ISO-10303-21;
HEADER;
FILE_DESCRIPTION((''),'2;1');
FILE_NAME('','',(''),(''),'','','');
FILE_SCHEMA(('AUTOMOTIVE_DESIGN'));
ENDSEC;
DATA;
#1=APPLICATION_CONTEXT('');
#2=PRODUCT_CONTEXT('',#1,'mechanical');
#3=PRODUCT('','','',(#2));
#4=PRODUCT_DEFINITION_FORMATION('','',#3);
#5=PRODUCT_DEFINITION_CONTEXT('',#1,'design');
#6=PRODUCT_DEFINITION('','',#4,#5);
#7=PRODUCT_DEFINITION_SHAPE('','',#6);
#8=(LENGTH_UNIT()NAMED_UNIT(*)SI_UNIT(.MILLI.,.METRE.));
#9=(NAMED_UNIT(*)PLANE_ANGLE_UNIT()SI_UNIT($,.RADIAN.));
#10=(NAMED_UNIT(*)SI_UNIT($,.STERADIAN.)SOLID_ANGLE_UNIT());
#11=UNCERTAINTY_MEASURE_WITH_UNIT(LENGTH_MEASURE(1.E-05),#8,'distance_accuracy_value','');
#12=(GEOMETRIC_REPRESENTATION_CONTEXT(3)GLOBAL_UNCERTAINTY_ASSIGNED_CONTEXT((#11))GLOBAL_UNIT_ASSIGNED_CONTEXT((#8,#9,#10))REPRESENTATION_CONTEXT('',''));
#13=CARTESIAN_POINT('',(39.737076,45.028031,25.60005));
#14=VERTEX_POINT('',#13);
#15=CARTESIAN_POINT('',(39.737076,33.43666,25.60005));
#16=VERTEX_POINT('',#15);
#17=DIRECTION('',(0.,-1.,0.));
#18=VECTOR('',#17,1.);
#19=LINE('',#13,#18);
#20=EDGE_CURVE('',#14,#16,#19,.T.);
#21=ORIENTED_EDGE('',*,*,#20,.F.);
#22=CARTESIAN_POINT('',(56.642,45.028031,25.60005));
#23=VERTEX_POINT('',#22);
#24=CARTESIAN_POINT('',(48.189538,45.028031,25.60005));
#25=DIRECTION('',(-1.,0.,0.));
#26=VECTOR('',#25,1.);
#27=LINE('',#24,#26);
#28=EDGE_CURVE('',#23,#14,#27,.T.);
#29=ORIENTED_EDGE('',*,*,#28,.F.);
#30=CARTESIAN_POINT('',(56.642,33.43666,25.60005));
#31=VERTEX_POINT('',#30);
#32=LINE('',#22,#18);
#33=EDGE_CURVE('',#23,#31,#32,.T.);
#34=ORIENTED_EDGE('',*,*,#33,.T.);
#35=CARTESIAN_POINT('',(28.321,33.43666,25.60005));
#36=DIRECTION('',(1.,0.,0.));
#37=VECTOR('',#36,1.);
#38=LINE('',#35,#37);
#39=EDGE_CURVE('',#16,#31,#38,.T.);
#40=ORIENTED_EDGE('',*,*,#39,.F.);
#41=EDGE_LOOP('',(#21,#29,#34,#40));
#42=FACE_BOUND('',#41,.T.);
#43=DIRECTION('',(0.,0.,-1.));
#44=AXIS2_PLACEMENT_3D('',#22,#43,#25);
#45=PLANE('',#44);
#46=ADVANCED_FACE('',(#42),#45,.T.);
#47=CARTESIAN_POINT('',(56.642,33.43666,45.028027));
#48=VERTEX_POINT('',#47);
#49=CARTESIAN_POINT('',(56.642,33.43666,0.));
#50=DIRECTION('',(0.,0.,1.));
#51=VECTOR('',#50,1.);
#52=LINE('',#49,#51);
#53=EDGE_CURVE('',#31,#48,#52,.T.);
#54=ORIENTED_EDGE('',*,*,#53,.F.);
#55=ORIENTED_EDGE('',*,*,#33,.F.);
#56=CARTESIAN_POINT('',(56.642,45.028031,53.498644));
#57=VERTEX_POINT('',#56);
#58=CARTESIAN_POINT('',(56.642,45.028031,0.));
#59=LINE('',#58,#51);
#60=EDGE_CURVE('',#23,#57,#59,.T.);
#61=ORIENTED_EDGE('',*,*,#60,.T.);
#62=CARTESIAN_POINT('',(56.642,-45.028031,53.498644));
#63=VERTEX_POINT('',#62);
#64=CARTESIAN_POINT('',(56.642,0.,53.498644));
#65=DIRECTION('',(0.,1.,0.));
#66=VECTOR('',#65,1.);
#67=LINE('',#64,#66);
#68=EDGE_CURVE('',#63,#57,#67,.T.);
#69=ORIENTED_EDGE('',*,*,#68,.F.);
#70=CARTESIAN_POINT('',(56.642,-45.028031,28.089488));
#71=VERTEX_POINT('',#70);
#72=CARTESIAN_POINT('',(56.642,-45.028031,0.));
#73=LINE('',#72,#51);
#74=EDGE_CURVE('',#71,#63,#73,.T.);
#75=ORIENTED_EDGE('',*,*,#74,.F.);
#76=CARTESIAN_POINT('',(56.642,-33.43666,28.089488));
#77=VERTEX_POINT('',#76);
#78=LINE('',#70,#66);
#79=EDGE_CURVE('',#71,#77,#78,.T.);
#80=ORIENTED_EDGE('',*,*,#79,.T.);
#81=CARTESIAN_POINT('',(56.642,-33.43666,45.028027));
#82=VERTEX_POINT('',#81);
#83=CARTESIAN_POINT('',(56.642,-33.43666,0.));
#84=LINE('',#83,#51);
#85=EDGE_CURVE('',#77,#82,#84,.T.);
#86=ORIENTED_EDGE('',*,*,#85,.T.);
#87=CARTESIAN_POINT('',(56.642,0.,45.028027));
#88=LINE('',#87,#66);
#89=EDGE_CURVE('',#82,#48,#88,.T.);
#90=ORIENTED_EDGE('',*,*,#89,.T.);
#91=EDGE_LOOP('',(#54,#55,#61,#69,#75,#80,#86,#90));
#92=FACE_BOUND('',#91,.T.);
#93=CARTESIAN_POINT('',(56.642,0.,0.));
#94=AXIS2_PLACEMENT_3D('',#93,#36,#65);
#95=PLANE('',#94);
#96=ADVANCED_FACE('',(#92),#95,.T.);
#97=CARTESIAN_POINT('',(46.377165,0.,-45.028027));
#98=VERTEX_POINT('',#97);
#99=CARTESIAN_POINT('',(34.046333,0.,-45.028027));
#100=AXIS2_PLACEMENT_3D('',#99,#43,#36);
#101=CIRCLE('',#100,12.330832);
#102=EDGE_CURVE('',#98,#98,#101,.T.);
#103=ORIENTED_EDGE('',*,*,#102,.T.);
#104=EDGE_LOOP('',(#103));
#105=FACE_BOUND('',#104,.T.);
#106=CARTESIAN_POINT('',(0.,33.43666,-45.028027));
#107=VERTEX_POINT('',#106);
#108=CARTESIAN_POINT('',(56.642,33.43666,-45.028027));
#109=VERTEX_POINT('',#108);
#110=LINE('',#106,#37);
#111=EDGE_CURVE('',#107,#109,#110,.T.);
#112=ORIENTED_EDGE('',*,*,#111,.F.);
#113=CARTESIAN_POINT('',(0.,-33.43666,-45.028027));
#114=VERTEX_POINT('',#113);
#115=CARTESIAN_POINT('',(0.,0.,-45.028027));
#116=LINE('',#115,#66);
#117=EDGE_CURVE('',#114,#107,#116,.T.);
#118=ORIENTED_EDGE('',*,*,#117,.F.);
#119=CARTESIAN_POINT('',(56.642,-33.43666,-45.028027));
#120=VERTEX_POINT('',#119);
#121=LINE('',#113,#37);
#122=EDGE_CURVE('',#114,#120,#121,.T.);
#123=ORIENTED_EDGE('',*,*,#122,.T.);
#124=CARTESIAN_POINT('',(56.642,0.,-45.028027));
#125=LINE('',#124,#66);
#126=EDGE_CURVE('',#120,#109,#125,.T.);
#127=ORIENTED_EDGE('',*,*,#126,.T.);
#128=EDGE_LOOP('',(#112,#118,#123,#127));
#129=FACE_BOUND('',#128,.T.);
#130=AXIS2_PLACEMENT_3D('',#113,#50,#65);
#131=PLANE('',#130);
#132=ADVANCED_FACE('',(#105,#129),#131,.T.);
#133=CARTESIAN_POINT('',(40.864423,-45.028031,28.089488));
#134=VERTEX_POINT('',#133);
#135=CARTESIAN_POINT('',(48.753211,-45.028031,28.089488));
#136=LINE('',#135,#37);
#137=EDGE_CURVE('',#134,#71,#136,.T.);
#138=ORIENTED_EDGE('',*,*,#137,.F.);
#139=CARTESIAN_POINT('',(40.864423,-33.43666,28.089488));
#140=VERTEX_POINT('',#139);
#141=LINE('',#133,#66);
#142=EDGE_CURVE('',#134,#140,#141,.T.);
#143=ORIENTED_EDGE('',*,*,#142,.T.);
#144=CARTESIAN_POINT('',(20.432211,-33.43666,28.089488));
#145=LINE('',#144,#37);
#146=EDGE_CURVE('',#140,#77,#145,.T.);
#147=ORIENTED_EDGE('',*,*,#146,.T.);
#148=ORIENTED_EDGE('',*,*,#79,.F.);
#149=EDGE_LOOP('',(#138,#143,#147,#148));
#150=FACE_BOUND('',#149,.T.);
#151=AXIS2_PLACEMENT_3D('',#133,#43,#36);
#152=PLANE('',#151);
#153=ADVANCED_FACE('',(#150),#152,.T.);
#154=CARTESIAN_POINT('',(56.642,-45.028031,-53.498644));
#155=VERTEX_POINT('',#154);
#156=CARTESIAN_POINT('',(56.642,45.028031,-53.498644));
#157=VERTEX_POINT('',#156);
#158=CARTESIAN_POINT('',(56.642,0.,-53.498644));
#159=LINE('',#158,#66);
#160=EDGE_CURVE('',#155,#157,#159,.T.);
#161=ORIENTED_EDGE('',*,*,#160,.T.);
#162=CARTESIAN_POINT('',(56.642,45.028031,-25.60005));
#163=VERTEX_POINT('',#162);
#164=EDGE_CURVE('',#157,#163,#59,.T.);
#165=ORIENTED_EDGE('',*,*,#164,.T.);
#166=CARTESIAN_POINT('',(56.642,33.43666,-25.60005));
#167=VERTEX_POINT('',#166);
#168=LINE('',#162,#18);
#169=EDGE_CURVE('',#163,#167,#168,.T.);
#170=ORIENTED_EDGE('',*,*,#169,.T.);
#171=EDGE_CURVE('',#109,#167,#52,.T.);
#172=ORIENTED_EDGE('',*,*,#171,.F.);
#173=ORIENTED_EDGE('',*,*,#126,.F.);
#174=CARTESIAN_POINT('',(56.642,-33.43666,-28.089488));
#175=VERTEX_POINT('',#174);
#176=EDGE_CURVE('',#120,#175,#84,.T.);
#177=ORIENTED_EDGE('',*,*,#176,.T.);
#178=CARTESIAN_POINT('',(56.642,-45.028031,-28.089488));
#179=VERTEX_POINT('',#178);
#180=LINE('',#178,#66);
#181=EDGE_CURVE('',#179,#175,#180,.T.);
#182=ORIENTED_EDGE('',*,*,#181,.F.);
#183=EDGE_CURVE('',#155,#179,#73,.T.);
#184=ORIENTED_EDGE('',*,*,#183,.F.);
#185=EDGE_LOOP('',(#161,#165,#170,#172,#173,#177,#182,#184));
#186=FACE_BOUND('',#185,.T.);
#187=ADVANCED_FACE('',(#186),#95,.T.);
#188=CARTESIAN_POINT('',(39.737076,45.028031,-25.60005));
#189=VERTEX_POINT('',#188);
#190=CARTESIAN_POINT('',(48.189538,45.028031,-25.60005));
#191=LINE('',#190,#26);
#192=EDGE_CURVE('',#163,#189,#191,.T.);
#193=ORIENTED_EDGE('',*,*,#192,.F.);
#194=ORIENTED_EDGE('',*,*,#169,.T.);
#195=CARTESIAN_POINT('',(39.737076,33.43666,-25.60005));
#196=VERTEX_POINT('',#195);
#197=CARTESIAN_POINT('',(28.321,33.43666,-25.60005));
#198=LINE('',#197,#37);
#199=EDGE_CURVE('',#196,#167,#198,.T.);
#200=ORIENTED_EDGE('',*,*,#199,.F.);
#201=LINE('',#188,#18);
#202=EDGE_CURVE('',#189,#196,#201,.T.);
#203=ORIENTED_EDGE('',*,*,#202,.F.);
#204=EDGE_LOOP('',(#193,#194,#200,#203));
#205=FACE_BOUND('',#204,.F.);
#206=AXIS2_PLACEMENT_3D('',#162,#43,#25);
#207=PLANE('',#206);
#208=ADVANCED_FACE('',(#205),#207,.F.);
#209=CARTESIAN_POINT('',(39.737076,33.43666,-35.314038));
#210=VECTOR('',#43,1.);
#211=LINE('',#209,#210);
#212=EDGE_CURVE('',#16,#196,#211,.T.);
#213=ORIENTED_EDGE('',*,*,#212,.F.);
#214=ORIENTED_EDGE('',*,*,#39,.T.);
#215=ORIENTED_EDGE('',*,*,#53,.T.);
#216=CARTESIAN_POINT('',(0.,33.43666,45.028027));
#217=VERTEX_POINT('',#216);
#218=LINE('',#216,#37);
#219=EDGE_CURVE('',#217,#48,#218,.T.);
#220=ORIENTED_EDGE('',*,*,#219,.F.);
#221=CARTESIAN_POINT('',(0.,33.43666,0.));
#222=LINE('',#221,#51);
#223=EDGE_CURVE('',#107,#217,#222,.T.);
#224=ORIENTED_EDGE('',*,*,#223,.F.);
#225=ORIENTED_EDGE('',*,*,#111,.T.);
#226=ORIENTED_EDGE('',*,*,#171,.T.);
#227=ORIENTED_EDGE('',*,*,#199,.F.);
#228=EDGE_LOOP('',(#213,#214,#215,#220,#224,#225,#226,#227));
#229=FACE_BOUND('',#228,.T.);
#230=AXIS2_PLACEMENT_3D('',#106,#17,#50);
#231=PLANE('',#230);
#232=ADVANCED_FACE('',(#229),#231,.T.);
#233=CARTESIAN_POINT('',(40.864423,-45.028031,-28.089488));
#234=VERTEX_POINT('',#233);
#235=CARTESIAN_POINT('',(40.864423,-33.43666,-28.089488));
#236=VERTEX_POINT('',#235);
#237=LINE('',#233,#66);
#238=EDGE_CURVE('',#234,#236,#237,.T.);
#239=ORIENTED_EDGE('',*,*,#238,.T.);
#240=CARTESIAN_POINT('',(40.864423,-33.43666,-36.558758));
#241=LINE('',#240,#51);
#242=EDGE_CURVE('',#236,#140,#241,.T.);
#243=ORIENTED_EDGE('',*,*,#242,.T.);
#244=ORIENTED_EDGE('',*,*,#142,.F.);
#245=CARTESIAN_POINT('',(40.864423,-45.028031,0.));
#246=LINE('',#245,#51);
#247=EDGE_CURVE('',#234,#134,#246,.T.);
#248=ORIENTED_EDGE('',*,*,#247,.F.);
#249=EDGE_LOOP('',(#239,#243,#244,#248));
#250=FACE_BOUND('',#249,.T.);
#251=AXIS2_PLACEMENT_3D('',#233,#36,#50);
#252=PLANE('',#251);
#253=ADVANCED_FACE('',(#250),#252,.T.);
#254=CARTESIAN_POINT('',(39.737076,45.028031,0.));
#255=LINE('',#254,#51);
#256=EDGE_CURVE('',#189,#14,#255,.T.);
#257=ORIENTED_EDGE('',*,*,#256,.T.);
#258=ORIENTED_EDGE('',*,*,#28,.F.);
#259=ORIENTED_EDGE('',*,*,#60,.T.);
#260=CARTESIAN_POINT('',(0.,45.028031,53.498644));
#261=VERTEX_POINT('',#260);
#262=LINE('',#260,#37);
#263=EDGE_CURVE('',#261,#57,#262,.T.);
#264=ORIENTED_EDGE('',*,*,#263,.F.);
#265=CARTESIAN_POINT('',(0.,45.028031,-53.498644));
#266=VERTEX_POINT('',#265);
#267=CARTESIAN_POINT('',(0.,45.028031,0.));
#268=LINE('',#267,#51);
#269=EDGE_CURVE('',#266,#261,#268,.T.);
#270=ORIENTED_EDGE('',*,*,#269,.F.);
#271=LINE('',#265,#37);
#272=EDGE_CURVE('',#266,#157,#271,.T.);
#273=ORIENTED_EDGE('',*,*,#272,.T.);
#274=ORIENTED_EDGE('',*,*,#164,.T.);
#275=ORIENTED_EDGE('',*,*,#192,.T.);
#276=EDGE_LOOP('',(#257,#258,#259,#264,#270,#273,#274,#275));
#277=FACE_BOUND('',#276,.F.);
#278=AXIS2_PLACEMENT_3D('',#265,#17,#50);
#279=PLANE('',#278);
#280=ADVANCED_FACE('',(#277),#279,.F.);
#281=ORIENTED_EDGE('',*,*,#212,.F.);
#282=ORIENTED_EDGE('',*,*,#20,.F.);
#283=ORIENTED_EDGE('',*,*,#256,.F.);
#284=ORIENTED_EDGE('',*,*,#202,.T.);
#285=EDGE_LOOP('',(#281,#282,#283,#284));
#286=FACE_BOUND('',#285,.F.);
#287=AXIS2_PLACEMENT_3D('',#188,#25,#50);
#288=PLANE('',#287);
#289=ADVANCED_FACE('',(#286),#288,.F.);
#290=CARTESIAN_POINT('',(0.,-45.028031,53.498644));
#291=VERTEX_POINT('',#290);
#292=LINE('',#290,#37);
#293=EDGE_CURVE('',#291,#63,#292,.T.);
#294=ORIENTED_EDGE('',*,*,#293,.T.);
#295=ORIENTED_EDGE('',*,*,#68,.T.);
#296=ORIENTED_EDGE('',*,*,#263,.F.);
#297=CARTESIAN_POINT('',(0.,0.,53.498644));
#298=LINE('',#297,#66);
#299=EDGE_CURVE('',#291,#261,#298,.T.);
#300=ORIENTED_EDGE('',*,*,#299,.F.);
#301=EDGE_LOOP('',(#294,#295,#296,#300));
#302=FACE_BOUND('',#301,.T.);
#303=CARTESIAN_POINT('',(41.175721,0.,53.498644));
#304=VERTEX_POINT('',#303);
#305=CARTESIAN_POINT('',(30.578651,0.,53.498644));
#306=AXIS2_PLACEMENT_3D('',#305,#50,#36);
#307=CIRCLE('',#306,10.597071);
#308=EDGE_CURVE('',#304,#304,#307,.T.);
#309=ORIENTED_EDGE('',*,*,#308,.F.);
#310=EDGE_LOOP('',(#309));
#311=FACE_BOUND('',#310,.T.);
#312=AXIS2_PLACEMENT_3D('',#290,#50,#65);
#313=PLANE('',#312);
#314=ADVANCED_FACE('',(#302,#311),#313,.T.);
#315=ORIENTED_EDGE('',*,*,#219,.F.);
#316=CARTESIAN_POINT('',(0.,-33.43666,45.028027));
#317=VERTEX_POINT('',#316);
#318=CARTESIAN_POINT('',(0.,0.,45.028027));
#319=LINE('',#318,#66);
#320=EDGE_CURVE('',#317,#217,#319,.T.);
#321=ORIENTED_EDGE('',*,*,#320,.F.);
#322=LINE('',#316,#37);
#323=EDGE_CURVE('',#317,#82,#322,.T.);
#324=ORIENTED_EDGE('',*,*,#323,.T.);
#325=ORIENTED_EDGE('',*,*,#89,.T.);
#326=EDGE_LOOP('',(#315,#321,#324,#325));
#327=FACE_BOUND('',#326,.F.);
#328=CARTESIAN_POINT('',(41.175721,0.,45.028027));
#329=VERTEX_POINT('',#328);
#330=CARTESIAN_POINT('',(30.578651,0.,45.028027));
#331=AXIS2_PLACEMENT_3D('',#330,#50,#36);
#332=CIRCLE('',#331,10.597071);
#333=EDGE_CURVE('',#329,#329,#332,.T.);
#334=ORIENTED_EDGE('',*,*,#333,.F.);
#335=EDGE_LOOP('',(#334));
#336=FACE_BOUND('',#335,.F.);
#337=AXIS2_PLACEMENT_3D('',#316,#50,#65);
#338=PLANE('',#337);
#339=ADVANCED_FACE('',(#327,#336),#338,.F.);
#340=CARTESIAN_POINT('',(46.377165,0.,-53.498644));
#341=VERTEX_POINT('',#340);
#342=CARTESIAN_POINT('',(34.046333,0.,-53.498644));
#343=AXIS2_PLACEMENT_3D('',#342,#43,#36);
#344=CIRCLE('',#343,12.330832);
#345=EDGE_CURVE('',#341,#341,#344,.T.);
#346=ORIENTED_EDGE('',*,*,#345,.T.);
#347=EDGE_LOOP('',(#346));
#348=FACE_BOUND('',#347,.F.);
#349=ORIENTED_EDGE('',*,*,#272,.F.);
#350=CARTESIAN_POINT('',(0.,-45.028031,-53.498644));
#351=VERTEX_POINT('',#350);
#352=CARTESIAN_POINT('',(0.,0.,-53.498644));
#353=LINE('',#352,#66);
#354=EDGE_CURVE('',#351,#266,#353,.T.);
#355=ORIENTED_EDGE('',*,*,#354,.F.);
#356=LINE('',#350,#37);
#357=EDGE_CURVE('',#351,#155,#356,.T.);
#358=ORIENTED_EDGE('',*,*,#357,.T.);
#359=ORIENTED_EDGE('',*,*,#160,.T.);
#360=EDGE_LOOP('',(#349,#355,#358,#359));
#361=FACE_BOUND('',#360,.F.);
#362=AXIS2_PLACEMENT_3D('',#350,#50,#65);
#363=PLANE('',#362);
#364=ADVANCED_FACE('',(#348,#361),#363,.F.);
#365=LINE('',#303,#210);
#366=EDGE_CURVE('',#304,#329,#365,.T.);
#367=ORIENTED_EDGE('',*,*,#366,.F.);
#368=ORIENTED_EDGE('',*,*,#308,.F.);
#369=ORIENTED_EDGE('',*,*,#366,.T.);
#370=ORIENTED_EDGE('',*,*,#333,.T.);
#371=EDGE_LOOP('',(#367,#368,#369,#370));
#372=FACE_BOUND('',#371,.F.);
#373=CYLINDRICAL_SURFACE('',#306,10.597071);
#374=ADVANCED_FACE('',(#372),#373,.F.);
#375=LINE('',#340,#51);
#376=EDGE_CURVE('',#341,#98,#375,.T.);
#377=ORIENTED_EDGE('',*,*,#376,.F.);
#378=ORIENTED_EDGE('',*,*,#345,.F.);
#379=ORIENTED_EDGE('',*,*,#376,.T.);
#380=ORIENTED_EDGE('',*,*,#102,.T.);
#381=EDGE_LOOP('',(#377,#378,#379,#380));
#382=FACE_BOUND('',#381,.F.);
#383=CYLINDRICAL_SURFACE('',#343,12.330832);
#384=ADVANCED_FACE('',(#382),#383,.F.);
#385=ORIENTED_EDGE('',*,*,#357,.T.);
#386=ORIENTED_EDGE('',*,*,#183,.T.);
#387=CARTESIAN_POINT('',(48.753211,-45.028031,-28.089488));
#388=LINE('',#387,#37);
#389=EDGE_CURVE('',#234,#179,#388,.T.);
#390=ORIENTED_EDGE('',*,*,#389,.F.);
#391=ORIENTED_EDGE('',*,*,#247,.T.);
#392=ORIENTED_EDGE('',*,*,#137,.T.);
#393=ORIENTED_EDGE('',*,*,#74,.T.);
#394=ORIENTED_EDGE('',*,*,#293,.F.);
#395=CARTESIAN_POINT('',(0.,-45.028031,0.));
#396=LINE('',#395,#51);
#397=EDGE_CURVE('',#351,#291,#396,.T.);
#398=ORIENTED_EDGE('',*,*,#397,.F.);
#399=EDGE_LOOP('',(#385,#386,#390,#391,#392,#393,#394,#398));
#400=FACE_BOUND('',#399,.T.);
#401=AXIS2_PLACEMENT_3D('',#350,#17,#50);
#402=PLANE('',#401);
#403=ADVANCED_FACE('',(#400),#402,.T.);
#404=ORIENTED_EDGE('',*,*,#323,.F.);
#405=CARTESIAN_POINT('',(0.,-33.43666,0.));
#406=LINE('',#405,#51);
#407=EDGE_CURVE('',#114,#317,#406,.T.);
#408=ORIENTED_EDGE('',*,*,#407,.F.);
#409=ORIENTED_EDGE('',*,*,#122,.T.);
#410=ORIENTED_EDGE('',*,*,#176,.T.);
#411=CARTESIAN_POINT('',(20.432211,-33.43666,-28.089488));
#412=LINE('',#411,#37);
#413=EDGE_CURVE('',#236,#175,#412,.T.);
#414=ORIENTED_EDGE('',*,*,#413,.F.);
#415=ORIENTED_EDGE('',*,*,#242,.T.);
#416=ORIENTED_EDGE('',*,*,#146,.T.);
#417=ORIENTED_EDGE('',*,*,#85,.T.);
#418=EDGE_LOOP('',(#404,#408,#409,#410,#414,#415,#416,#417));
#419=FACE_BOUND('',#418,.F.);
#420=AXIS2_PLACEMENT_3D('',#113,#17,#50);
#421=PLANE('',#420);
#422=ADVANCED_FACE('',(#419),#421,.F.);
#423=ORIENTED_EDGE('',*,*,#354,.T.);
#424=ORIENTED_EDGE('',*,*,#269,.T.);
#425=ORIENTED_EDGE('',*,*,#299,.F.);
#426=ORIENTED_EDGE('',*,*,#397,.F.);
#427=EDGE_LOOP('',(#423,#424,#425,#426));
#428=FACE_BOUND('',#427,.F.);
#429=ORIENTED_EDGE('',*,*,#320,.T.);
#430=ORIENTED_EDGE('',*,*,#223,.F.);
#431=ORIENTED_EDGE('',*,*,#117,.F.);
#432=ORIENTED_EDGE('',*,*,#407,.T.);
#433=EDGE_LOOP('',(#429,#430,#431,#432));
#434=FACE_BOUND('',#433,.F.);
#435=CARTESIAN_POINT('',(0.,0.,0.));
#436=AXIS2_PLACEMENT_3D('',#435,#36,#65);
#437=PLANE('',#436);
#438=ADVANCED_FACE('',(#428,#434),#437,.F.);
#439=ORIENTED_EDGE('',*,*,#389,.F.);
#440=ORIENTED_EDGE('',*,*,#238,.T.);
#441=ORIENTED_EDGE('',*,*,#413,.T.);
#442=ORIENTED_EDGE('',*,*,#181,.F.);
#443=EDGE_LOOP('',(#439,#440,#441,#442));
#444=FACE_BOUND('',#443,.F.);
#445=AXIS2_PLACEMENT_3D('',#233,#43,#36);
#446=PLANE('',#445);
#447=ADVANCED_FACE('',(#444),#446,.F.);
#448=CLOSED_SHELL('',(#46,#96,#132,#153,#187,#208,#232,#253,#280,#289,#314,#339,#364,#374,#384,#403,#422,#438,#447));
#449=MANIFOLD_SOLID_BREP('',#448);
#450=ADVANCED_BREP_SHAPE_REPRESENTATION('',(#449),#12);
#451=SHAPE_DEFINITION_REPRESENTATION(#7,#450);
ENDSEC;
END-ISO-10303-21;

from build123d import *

# Parameters (mm, degrees)
F0_W     = 90.0560617447
F0_H     = 106.9972887635
F0_W_2   = 66.873319447
F0_H_2   = 90.0560542941
F1_DEPTH = 56.642
F2_W     = 16.9049244328
F2_H     = 51.2000992894
F3_DEPTH = 25.4
F4_W     = 15.7775770826
F4_H     = 56.1789758503
F5_DEPTH = 25.4
F6_R     = 10.5970708349
F7_DEPTH = 25.4
F8_R     = 12.3308316968
F9_DEPTH = 25.4


with BuildPart() as f1:
    # F0 (on Right) → F1 (new body)
    with BuildSketch(Plane.YZ):
        Rectangle(F0_W, F0_H)
        Rectangle(F0_W_2, F0_H_2, mode=Mode.SUBTRACT)
    extrude(amount=F1_DEPTH)

    # F2 (on face) → F3 (cut)
    with BuildSketch(Plane(origin=(0, 45.0280308723, 0), x_dir=(-1, 0, 0), z_dir=(0, 1, 0))):
        with Locations((-48.1895377836, 0)):
            Rectangle(F2_W, F2_H)
    extrude(amount=-F3_DEPTH, mode=Mode.SUBTRACT)

    # F4 (on face) → F5 (cut)
    with BuildSketch(Plane.XZ.offset(45.0280308723)):
        with Locations((48.7532114587, 0)):
            Rectangle(F4_W, F4_H)
    extrude(amount=-F5_DEPTH, mode=Mode.SUBTRACT)

    # F6 (on face) → F7 (cut)
    with BuildSketch(Plane.XY.offset(53.4986443818)):
        with Locations((30.5786505342, 0)):
            Circle(F6_R)
    extrude(amount=-F7_DEPTH, mode=Mode.SUBTRACT)

    # F8 (on face) → F9 (cut)
    with BuildSketch(Plane(origin=(0, 0, -53.4986443818), x_dir=(1, 0, 0), z_dir=(0, 0, -1))):
        with Locations((34.0463332832, 0)):
            Circle(F8_R)
    extrude(amount=-F9_DEPTH, mode=Mode.SUBTRACT)


solid = f1.part
